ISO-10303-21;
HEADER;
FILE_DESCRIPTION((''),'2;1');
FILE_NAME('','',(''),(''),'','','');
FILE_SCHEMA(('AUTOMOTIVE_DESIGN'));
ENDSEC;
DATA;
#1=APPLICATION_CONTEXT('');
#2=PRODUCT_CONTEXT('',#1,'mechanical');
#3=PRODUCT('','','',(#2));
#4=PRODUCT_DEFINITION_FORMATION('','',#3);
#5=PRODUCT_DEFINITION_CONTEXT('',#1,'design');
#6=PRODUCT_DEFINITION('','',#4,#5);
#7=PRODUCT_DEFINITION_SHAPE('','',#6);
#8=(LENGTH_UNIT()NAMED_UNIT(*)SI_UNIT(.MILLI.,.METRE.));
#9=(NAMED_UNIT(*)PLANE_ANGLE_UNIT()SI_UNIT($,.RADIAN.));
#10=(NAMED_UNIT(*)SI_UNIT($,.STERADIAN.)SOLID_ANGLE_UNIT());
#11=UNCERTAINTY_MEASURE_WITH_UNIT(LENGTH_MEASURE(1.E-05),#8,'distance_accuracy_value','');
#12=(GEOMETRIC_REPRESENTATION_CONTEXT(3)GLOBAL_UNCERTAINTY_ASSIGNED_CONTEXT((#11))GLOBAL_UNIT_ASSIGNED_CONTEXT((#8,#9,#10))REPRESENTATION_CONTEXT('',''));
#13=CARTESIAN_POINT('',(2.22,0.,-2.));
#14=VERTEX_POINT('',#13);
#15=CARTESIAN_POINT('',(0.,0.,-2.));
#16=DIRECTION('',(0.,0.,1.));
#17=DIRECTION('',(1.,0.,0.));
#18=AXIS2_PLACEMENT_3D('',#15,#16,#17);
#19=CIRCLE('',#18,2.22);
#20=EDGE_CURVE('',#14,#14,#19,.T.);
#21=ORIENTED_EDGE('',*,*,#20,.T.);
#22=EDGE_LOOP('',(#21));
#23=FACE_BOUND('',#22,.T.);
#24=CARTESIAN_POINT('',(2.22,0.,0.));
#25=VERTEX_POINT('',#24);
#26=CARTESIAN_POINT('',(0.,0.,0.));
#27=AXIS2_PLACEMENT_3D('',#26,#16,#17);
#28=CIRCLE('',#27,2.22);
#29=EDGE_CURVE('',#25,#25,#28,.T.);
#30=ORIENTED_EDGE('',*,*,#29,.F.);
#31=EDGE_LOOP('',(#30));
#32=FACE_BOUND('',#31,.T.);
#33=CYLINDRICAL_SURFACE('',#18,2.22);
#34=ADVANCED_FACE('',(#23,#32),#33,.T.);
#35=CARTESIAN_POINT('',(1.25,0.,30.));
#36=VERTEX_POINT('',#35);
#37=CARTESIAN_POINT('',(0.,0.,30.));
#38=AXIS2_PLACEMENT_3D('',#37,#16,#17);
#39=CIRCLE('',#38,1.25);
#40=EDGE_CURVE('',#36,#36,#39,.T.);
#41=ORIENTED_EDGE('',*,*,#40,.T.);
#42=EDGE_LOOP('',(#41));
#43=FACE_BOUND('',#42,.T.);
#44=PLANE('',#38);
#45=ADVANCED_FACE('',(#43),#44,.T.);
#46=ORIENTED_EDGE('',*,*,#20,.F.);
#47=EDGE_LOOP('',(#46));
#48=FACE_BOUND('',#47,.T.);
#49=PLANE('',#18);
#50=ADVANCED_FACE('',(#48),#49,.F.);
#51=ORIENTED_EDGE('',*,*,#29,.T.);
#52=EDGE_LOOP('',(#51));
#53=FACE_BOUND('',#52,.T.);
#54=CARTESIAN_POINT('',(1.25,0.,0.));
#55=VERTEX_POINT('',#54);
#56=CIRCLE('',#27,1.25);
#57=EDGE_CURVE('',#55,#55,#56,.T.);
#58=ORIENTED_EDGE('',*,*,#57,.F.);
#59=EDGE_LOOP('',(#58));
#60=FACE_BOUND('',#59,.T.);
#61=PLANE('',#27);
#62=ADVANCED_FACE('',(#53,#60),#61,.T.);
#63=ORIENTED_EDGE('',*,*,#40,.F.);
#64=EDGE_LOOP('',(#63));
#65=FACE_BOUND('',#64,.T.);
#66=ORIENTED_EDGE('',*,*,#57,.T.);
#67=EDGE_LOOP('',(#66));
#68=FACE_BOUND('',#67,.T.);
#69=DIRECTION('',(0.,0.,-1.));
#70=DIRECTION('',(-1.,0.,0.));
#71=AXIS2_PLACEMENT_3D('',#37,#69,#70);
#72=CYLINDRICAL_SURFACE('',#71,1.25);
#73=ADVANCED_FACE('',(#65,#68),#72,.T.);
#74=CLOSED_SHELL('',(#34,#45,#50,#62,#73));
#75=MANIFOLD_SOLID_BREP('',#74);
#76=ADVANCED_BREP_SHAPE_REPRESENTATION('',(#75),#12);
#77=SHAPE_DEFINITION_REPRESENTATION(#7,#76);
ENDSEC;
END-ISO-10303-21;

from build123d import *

# Parameters (mm, degrees)
SKETCH2_R           = 1.25
BOSS_EXTRUDE1_DEPTH = 30
SKETCH3_R           = 2.22
BOSS_EXTRUDE2_DEPTH = 2


with BuildPart() as part:
    # Sketch2 → Boss-Extrude1 (new body)
    with BuildSketch(Plane.XY):
        Circle(SKETCH2_R)
    extrude(amount=BOSS_EXTRUDE1_DEPTH)

    # Sketch3 → Boss-Extrude2 (add)
    with BuildSketch(Plane.XY):
        Circle(SKETCH3_R)
    extrude(amount=-BOSS_EXTRUDE2_DEPTH)


solid = part.part
